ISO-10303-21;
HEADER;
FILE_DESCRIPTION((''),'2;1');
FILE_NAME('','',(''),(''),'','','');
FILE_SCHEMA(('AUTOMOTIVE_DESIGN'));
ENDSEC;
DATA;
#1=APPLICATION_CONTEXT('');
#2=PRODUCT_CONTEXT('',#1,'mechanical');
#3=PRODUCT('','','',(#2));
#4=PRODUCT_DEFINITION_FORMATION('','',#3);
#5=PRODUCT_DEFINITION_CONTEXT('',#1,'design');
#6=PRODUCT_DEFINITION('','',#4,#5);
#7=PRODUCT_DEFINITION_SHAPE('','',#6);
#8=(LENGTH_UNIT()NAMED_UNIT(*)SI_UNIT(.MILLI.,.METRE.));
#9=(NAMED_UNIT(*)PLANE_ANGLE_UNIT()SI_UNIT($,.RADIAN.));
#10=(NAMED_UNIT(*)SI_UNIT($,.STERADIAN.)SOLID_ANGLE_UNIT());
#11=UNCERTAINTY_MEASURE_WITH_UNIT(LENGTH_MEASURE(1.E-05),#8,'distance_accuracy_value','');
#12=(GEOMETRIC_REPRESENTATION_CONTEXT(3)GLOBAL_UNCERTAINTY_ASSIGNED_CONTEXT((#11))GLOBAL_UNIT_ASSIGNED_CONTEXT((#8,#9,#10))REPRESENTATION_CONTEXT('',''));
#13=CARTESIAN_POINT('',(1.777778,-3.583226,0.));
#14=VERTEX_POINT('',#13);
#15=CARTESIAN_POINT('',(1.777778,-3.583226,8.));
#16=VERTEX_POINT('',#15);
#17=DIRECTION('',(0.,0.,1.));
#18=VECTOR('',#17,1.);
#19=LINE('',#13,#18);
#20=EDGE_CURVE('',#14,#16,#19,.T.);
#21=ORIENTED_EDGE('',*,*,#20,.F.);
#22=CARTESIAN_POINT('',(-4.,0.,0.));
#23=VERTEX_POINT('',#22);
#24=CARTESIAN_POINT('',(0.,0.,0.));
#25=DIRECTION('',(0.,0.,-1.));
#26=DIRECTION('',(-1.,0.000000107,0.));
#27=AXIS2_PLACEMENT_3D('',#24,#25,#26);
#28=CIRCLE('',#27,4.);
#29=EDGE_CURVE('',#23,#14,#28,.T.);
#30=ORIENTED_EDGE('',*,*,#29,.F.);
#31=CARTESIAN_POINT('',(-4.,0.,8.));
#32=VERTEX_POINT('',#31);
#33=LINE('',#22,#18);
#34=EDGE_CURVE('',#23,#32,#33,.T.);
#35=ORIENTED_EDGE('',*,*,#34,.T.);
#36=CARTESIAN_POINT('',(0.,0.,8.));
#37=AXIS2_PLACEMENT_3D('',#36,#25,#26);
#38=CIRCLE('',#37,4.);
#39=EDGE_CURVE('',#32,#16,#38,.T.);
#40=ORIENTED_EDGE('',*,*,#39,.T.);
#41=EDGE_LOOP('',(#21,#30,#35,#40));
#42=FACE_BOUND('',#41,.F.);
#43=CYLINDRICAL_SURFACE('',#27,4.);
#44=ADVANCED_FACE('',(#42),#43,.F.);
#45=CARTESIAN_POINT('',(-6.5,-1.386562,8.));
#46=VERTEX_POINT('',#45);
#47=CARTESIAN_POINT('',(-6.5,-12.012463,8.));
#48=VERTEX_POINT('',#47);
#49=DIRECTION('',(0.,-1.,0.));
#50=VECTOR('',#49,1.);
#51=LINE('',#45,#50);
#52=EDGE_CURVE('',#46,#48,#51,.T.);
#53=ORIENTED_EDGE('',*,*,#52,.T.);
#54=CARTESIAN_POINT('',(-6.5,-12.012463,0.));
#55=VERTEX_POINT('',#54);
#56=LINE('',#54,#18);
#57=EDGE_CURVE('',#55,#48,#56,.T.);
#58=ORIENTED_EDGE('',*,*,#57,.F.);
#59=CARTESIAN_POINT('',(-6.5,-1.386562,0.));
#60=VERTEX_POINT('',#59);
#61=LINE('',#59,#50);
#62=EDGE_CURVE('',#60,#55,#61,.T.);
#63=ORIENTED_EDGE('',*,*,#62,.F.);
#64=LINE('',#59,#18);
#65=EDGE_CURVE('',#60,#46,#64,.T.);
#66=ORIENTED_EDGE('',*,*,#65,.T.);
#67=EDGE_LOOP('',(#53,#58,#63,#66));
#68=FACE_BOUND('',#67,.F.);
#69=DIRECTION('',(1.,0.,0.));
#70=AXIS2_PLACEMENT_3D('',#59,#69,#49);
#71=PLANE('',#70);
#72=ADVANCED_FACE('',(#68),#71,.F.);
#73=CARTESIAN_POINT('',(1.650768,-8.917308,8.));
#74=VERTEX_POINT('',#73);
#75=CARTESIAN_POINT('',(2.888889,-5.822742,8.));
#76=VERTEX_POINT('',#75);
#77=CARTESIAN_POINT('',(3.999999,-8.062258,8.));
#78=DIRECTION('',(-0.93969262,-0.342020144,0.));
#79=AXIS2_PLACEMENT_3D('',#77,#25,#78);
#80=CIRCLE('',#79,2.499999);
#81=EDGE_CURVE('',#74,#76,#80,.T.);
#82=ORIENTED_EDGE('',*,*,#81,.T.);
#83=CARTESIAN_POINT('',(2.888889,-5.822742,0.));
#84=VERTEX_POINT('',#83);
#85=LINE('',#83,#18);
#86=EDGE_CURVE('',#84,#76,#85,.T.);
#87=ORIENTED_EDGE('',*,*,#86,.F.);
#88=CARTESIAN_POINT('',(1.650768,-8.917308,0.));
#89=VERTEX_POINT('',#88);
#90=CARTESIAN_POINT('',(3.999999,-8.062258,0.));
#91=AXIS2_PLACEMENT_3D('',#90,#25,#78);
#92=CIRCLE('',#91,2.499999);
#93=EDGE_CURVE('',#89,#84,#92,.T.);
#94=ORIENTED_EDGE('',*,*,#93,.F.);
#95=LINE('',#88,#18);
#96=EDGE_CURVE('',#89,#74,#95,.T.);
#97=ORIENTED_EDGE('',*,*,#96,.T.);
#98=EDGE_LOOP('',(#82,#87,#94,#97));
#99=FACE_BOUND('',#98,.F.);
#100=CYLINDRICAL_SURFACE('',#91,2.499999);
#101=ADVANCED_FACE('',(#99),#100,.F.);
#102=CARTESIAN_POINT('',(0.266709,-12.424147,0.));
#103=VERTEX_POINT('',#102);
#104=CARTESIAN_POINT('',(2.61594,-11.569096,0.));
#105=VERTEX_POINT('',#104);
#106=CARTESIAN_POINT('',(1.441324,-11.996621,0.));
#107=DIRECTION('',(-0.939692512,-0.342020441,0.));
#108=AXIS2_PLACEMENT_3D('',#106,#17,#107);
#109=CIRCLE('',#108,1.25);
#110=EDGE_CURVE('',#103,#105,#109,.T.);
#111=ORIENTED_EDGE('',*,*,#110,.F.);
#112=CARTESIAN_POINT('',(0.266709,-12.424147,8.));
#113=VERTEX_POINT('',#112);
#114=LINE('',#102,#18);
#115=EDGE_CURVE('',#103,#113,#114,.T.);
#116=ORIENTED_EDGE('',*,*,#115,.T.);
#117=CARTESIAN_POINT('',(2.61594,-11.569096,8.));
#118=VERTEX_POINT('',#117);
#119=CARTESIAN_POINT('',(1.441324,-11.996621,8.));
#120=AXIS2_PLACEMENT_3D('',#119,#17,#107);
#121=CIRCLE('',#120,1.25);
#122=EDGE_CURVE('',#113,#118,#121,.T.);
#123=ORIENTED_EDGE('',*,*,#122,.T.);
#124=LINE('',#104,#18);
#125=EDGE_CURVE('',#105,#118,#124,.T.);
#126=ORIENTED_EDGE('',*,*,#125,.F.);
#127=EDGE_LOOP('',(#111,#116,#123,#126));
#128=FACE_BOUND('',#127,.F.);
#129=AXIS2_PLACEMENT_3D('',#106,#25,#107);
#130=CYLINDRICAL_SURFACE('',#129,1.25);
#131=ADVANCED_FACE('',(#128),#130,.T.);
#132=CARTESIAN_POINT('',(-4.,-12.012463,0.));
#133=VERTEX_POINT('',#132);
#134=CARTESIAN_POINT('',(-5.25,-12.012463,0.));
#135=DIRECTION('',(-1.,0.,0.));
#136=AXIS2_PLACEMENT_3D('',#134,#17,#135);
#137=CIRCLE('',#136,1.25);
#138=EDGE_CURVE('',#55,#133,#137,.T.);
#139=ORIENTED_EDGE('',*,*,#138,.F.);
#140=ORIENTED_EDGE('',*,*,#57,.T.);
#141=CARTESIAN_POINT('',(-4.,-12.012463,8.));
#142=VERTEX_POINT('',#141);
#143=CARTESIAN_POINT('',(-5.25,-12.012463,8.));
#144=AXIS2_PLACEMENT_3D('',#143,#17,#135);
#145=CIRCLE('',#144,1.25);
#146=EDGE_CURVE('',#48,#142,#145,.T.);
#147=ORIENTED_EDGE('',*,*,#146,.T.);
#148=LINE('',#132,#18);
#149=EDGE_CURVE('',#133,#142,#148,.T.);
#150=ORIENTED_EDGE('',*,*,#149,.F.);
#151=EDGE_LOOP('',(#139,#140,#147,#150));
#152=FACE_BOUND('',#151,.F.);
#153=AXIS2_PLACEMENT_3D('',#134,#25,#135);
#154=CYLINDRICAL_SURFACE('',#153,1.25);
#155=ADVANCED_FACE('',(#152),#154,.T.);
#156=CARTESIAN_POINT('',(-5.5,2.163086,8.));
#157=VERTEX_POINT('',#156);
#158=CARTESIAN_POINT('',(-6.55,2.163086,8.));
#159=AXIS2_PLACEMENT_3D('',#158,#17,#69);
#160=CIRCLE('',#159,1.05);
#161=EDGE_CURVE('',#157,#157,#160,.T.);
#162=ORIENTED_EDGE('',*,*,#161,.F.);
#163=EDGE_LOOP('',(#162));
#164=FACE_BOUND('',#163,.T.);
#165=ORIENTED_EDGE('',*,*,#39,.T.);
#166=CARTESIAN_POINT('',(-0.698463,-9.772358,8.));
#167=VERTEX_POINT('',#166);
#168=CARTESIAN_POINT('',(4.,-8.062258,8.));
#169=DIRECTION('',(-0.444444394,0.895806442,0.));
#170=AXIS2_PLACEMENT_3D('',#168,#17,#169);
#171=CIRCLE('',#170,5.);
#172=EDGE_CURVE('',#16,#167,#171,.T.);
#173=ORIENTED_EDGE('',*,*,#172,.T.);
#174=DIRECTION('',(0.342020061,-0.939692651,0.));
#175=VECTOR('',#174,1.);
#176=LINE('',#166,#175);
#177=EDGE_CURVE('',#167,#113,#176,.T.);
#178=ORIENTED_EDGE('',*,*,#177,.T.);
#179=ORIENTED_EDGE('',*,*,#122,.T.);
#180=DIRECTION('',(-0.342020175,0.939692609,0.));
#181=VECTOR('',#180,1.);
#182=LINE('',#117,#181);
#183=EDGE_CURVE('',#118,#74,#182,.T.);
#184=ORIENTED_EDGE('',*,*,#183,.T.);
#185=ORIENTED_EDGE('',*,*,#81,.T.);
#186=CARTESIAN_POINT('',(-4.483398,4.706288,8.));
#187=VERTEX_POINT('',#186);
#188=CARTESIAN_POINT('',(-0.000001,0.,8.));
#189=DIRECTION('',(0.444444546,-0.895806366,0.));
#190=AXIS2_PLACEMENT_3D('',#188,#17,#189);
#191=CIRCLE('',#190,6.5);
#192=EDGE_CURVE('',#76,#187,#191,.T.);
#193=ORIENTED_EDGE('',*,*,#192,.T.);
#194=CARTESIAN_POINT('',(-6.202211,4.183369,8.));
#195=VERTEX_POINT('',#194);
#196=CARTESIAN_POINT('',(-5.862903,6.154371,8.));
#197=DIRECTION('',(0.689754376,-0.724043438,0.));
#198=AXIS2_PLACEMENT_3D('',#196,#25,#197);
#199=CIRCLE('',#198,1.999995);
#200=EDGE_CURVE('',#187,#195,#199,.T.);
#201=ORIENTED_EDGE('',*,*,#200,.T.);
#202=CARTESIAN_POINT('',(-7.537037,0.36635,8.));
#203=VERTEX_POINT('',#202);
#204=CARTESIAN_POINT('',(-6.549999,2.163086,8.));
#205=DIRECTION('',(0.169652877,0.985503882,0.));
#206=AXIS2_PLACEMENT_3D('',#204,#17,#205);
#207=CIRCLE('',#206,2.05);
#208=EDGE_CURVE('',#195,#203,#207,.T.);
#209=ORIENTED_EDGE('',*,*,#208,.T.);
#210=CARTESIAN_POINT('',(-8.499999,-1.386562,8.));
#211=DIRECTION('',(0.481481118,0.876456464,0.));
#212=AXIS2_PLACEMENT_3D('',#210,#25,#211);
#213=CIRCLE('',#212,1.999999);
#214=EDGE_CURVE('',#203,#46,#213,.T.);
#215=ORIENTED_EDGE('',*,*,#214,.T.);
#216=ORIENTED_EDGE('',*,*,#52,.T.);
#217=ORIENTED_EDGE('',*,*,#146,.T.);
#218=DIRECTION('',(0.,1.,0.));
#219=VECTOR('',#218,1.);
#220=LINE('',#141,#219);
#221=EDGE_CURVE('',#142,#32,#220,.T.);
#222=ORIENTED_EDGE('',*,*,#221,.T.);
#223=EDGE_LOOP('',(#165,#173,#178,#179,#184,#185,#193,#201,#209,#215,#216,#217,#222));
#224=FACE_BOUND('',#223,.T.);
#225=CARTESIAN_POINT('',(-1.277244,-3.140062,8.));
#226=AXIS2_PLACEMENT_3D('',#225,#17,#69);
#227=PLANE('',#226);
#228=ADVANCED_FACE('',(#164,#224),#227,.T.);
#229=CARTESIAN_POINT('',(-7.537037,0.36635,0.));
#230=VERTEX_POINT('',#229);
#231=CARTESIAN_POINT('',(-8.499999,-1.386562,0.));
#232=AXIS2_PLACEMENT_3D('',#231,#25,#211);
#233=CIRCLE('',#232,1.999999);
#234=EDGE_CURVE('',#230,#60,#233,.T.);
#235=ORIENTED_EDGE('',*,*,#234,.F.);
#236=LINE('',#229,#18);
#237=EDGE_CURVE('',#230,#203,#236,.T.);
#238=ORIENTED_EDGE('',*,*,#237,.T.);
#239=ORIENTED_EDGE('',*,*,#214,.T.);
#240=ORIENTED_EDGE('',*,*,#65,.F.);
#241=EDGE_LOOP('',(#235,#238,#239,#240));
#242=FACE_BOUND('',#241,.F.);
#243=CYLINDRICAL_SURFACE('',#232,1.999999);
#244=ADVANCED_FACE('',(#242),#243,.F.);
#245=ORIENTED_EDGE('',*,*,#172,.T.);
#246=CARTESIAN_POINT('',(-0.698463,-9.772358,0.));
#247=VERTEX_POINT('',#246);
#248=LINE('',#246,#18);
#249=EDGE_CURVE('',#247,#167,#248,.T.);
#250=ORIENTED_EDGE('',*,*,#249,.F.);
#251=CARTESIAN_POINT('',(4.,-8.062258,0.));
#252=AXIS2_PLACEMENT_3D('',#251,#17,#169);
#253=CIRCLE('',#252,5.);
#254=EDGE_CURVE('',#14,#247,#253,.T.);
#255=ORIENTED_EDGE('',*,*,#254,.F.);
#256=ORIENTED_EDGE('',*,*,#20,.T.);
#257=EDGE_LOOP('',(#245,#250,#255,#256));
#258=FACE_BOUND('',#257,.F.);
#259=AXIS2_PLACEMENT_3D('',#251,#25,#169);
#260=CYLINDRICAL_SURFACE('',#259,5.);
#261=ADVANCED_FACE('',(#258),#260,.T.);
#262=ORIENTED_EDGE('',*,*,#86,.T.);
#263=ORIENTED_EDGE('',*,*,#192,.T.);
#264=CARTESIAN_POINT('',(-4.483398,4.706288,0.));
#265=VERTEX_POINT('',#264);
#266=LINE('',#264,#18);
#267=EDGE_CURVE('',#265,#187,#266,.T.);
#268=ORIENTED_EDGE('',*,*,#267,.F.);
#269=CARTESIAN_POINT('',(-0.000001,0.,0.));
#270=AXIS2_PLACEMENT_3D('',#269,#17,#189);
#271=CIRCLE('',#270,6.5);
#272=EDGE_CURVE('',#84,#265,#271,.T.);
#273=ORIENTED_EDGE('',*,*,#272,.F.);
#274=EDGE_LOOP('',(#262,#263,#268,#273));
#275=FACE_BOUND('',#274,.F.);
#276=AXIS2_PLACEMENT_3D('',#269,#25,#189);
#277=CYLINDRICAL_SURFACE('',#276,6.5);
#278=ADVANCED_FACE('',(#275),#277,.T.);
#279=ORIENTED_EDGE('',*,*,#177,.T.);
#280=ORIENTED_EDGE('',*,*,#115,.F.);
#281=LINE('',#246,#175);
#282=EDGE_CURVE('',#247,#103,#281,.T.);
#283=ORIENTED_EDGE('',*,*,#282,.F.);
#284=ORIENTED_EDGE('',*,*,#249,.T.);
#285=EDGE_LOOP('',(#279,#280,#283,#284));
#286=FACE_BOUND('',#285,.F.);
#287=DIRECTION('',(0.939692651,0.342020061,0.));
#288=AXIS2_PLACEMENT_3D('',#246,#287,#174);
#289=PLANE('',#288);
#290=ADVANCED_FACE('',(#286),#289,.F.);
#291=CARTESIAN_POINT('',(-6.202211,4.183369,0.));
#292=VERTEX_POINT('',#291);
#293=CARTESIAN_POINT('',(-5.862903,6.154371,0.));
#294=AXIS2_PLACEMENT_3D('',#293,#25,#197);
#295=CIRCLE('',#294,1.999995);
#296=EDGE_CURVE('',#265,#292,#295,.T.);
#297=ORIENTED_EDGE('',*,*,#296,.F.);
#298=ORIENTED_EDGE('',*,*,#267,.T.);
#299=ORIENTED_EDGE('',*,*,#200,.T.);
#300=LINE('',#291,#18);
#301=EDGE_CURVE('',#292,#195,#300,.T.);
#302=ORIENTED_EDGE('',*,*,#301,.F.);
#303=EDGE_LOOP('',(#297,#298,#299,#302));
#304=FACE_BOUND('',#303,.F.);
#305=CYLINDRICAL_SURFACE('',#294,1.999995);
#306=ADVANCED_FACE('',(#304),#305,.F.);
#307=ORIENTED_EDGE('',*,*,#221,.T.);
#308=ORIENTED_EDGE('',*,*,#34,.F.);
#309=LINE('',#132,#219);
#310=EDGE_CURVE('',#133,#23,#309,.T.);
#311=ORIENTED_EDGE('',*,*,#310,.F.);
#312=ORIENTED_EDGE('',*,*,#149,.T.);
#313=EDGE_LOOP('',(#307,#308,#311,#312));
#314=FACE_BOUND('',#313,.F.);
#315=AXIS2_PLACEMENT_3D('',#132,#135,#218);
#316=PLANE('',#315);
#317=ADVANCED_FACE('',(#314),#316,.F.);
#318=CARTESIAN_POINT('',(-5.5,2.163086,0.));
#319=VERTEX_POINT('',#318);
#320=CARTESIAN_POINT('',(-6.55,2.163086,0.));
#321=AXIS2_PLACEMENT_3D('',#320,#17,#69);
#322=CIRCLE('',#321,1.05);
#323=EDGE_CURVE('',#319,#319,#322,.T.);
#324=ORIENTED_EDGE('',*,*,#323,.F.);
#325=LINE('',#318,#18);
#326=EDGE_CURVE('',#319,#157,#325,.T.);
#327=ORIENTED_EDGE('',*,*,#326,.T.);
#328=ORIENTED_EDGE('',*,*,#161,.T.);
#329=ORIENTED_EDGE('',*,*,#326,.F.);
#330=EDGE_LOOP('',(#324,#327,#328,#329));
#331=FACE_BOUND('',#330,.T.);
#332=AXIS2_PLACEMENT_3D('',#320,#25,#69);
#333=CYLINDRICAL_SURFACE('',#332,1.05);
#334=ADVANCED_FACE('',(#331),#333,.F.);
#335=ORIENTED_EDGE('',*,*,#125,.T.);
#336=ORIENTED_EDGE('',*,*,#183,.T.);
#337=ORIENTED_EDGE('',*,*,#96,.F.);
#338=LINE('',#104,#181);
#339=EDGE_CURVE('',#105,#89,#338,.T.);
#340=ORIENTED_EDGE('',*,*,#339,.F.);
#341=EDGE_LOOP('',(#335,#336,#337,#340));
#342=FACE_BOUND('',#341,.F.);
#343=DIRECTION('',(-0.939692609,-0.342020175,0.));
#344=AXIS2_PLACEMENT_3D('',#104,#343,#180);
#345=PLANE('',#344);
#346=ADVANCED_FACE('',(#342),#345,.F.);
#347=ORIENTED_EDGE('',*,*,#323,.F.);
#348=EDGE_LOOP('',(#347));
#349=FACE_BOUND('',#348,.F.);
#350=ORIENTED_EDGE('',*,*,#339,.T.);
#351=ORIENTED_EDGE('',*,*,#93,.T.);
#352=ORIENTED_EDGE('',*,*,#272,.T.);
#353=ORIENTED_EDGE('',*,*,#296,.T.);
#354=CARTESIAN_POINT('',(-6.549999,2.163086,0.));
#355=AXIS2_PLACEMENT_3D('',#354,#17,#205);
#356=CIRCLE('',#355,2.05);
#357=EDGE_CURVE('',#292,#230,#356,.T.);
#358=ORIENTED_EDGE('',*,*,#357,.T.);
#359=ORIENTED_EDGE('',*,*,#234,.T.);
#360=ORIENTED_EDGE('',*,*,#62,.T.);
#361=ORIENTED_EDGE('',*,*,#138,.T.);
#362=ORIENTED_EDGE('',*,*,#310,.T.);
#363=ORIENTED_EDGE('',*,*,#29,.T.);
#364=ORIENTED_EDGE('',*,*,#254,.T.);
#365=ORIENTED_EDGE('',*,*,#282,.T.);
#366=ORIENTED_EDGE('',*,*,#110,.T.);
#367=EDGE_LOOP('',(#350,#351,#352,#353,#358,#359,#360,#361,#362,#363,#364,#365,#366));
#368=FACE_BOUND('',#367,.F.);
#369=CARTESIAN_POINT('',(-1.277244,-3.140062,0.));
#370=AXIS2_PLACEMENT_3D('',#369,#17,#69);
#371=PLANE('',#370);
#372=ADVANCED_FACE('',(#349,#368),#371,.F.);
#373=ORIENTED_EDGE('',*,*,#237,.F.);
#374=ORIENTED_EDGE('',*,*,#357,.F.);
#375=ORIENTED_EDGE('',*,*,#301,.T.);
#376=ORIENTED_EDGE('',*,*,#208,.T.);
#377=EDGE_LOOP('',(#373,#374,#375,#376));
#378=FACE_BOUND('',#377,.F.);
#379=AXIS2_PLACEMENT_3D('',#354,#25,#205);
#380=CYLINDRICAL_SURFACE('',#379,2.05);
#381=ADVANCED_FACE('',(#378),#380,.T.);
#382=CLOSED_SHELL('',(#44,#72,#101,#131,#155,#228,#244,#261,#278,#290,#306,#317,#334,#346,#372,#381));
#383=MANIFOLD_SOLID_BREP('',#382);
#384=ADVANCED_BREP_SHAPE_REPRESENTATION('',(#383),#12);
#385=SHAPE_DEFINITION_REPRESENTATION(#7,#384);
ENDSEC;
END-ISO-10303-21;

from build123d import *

# Parameters (mm, degrees)
F0_R     = 1.05
F1_DEPTH = 8


with BuildPart() as f1:
    # F0 (on Top) → F1 (new body)
    with BuildSketch(Plane.XY):
        with BuildLine():
            ThreePointArc((-4, 0), (2.108185, 3.399346), (1.777778, -3.583226))
            ThreePointArc((1.777778, -3.583226), (-0.642231, -6.204924), (-0.698463, -9.772358))
            Line((-0.698463, -9.772358), (0.266709, -12.424147))
            ThreePointArc((0.266709, -12.424147), (1.86885, -13.171237), (2.61594, -11.569096))
            Line((2.61594, -11.569096), (1.650768, -8.917308))
            ThreePointArc((1.650768, -8.917308), (1.678884, -7.133591), (2.888889, -5.822742))
            ThreePointArc((2.888889, -5.822742), (5.32454, 3.728172), (-4.483398, 4.706288))
            ThreePointArc((-4.483398, 4.706288), (-5.280783, 4.240967), (-6.202211, 4.183369))
            ThreePointArc((-6.202211, 4.183369), (-8.485088, 2.839794), (-7.537037, 0.36635))
            ThreePointArc((-7.537037, 0.36635), (-6.778674, -0.368212), (-6.5, -1.386562))
            Line((-6.5, -1.386562), (-6.5, -12.012463))
            ThreePointArc((-6.5, -12.012463), (-5.25, -13.262463), (-4, -12.012463))
            Line((-4, -12.012463), (-4, 0))
        make_face()
        with Locations((-6.55, 2.163086)):
            Circle(F0_R, mode=Mode.SUBTRACT)
    extrude(amount=F1_DEPTH)


solid = f1.part
